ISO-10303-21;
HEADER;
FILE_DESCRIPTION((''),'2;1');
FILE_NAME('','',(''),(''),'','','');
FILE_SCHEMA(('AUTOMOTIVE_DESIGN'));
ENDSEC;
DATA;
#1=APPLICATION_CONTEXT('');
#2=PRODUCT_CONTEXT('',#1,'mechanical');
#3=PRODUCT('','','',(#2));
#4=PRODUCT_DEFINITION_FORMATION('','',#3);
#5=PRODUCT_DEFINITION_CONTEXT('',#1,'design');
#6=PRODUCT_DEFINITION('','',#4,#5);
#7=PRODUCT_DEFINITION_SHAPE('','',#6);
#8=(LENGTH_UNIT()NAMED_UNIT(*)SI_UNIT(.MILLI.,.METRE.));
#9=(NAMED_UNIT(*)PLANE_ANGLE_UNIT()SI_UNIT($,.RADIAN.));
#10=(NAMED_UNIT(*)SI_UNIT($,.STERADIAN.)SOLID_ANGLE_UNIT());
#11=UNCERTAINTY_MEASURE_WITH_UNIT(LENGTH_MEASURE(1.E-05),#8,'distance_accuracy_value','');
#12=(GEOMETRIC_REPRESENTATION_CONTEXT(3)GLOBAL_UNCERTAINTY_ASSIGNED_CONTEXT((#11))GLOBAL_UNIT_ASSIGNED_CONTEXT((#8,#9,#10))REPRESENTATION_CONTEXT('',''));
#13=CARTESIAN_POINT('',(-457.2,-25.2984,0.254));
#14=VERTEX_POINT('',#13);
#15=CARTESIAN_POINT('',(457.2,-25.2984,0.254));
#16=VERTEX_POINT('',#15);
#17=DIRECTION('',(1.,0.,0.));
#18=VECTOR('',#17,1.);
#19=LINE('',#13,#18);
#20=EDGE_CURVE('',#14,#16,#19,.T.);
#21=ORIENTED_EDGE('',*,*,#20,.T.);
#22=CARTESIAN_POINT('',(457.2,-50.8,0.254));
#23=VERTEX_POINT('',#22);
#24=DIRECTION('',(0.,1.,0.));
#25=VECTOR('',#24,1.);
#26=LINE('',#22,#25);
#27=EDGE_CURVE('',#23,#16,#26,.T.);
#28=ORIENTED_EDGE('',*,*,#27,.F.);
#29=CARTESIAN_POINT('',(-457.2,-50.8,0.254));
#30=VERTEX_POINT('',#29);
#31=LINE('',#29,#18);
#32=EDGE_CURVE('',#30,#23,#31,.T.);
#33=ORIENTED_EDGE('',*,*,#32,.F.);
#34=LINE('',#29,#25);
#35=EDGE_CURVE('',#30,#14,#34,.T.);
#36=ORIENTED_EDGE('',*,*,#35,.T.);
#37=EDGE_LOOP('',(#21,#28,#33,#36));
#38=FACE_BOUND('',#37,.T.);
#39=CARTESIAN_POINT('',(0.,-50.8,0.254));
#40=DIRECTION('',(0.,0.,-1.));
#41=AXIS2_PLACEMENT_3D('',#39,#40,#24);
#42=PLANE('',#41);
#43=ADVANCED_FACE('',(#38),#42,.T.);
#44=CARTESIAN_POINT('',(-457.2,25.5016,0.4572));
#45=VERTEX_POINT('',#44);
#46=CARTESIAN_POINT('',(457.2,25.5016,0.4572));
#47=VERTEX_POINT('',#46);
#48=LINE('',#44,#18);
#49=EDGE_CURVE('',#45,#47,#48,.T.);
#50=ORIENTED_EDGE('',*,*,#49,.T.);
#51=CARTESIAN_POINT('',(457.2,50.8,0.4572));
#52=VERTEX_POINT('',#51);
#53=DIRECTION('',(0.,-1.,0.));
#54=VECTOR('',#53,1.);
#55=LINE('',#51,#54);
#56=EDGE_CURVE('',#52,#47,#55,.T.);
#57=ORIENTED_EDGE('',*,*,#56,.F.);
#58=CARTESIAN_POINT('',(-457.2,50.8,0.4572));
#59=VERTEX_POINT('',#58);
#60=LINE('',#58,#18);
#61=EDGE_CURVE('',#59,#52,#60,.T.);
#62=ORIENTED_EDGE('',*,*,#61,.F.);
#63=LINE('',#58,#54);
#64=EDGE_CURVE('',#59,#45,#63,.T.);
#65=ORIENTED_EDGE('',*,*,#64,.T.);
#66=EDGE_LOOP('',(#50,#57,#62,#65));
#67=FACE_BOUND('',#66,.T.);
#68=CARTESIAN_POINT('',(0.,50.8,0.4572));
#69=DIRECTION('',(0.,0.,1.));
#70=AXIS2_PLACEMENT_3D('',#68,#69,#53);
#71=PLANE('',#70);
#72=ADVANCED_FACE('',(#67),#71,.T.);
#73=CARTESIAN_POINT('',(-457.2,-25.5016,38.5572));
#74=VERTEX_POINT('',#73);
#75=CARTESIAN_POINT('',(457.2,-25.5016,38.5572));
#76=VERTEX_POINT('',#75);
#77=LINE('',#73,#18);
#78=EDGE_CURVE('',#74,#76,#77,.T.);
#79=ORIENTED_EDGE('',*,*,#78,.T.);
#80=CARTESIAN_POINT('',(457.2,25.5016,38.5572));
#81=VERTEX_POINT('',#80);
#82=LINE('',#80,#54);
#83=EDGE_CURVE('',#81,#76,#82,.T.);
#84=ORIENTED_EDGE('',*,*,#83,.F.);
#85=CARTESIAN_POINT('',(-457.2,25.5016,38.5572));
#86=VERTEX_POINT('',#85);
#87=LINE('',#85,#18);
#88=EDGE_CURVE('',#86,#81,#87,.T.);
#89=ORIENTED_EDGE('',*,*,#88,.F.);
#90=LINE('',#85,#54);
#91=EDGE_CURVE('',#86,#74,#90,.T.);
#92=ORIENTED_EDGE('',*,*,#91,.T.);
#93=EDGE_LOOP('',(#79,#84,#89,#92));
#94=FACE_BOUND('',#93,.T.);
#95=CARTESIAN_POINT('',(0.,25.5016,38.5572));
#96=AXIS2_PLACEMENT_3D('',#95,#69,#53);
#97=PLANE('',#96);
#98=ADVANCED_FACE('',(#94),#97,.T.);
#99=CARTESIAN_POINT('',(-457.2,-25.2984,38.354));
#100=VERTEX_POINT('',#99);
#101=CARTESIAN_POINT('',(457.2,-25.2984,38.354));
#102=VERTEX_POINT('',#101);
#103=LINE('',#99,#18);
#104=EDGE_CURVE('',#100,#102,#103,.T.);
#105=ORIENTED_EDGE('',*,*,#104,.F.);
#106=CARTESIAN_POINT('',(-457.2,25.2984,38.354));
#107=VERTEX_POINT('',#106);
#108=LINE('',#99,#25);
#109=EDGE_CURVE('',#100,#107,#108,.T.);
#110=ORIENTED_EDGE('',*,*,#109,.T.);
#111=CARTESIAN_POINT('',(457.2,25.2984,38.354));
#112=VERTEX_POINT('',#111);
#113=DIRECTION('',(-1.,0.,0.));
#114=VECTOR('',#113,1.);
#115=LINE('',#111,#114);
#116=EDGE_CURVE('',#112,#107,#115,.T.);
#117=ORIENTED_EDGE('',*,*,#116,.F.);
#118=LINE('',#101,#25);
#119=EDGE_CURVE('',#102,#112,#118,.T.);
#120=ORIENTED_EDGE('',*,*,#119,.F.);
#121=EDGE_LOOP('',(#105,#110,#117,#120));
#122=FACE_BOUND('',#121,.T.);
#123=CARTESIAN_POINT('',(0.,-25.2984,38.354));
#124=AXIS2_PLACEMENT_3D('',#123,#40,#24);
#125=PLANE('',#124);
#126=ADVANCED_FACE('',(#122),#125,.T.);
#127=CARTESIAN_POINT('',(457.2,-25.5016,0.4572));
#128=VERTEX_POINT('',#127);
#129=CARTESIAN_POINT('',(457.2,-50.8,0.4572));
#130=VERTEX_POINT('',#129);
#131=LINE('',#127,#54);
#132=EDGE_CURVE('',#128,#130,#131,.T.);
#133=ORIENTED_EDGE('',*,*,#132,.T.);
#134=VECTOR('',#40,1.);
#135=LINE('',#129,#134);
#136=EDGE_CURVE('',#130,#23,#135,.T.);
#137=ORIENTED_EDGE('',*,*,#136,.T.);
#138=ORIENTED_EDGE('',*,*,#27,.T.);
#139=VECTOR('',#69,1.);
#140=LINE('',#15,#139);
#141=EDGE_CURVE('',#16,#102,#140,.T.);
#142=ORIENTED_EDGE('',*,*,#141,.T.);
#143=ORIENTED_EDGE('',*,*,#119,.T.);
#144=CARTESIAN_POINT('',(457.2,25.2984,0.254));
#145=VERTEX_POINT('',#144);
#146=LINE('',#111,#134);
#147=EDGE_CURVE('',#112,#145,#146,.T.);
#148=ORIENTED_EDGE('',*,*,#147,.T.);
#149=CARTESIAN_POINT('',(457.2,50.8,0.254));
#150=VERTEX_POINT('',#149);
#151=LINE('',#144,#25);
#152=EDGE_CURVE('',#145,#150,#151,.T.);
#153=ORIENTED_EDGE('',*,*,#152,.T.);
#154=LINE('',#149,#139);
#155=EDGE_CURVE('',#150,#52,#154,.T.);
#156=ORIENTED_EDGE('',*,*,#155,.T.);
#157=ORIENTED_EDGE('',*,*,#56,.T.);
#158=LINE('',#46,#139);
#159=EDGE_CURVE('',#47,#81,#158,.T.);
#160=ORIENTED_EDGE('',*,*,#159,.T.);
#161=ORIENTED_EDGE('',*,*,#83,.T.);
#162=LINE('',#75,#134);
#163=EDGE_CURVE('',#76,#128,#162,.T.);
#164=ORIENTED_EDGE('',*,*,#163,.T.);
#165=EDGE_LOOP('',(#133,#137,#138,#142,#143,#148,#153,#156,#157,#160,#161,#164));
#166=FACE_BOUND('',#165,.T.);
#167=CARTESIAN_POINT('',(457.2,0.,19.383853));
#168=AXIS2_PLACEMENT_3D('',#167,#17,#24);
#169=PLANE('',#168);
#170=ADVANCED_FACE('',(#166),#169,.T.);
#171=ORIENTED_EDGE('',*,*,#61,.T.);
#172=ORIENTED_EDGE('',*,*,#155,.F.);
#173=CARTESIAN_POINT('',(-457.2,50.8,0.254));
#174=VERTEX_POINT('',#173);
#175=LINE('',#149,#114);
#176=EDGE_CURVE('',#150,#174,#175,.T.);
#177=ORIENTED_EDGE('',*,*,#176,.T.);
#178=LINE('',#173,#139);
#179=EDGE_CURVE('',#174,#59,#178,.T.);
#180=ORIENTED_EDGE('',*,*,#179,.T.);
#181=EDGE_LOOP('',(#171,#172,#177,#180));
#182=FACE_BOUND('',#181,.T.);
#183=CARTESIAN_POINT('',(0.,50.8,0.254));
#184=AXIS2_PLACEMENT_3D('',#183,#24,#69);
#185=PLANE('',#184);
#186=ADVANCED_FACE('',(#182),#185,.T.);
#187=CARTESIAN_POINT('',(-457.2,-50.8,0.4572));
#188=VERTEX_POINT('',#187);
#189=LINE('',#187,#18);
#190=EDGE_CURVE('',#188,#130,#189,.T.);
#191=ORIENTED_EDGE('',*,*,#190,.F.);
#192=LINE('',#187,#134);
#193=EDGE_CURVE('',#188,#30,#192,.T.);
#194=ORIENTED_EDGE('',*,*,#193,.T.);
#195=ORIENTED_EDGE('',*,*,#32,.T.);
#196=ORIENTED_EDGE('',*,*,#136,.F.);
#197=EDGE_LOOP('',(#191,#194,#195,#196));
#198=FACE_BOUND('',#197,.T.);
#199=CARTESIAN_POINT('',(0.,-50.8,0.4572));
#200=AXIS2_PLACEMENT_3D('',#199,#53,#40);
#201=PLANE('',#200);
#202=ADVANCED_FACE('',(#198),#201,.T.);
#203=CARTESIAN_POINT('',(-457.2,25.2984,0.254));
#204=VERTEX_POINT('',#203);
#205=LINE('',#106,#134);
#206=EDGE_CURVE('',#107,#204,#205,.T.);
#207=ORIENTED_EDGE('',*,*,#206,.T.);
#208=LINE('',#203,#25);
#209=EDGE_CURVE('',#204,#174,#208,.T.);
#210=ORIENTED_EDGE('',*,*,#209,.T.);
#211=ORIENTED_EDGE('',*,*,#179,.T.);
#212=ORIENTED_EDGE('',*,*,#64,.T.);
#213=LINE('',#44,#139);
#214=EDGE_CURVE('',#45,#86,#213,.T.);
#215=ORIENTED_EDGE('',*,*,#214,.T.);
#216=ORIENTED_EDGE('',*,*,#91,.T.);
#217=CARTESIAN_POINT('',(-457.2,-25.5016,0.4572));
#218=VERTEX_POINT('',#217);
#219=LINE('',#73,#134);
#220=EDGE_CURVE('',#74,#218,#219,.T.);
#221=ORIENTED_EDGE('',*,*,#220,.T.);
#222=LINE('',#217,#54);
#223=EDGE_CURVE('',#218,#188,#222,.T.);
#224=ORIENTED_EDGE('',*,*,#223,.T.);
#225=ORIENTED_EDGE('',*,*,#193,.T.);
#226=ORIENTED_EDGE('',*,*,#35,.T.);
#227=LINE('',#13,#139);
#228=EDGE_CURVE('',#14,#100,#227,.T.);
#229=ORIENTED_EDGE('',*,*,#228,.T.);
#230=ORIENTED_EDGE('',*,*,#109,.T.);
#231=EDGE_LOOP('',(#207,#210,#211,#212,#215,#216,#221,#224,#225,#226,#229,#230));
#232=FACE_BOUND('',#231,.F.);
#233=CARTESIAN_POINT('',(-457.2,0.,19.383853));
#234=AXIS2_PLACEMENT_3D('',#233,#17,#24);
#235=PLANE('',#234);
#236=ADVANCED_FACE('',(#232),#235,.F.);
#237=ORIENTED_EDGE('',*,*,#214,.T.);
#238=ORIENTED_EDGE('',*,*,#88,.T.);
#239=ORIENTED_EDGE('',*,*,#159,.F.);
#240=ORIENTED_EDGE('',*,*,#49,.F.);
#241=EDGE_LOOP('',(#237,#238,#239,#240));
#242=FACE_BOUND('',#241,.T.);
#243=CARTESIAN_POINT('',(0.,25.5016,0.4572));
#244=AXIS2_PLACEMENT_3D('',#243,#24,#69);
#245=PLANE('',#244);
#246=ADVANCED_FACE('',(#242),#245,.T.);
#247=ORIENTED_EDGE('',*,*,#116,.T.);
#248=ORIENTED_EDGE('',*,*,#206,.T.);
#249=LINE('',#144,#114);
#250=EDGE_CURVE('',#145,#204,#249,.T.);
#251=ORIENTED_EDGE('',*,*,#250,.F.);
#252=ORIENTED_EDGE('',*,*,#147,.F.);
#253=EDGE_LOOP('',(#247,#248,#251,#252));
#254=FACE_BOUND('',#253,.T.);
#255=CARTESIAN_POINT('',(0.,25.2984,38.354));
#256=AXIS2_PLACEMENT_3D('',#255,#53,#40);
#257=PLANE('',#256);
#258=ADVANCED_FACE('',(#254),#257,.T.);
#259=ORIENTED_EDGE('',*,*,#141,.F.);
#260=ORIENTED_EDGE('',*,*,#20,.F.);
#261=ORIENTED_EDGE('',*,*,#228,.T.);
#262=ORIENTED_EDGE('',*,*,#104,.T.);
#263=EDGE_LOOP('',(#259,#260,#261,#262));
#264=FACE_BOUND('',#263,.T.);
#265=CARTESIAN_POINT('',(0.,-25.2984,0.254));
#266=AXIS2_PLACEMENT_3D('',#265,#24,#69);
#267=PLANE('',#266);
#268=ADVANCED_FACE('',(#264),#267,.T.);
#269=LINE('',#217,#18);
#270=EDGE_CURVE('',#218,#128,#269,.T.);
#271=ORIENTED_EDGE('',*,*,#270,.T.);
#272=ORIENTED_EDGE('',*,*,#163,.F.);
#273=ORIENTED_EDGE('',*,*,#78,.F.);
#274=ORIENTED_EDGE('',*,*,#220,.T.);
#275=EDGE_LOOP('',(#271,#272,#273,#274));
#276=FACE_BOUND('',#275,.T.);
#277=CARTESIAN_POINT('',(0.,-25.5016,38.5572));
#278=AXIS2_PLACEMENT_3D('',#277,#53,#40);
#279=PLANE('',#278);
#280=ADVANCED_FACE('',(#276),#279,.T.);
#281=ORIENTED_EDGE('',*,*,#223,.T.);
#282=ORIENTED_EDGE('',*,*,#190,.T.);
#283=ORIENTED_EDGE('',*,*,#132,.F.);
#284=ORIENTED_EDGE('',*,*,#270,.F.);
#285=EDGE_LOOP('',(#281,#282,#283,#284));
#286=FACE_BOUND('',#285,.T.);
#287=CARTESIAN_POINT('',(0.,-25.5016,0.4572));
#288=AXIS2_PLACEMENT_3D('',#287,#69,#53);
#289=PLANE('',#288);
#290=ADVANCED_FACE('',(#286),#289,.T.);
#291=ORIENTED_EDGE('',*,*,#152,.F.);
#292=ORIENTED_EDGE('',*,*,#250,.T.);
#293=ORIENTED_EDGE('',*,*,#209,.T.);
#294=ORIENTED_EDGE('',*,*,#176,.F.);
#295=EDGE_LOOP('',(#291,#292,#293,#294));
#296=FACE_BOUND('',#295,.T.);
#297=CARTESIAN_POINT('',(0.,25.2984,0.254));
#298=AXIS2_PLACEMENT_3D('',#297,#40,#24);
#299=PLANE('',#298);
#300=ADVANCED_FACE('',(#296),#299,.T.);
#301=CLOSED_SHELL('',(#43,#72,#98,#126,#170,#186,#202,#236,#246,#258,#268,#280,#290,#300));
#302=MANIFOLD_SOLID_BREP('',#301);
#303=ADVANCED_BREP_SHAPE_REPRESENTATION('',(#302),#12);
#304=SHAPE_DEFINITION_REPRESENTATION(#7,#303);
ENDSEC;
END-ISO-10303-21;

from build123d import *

# Parameters (mm, degrees)
F1_DEPTH = 457.2


with BuildPart() as f1:
    # F0 (on Right) → F1 (new body, symmetric)
    with BuildSketch(Plane.YZ):
        Polygon((50.8, 0.254), (50.8, 0.4572), (25.5016, 0.4572), (25.5016, 38.5572), (0, 38.5572), (-25.5016, 38.5572), (-25.5016, 0.4572), (-50.8, 0.4572), (-50.8, 0.254), (-25.2984, 0.254), (-25.2984, 38.354), (0, 38.354), (25.2984, 38.354), (25.2984, 0.254), (25.5016, 0.254), align=None)
    extrude(amount=F1_DEPTH, both=True)


solid = f1.part
